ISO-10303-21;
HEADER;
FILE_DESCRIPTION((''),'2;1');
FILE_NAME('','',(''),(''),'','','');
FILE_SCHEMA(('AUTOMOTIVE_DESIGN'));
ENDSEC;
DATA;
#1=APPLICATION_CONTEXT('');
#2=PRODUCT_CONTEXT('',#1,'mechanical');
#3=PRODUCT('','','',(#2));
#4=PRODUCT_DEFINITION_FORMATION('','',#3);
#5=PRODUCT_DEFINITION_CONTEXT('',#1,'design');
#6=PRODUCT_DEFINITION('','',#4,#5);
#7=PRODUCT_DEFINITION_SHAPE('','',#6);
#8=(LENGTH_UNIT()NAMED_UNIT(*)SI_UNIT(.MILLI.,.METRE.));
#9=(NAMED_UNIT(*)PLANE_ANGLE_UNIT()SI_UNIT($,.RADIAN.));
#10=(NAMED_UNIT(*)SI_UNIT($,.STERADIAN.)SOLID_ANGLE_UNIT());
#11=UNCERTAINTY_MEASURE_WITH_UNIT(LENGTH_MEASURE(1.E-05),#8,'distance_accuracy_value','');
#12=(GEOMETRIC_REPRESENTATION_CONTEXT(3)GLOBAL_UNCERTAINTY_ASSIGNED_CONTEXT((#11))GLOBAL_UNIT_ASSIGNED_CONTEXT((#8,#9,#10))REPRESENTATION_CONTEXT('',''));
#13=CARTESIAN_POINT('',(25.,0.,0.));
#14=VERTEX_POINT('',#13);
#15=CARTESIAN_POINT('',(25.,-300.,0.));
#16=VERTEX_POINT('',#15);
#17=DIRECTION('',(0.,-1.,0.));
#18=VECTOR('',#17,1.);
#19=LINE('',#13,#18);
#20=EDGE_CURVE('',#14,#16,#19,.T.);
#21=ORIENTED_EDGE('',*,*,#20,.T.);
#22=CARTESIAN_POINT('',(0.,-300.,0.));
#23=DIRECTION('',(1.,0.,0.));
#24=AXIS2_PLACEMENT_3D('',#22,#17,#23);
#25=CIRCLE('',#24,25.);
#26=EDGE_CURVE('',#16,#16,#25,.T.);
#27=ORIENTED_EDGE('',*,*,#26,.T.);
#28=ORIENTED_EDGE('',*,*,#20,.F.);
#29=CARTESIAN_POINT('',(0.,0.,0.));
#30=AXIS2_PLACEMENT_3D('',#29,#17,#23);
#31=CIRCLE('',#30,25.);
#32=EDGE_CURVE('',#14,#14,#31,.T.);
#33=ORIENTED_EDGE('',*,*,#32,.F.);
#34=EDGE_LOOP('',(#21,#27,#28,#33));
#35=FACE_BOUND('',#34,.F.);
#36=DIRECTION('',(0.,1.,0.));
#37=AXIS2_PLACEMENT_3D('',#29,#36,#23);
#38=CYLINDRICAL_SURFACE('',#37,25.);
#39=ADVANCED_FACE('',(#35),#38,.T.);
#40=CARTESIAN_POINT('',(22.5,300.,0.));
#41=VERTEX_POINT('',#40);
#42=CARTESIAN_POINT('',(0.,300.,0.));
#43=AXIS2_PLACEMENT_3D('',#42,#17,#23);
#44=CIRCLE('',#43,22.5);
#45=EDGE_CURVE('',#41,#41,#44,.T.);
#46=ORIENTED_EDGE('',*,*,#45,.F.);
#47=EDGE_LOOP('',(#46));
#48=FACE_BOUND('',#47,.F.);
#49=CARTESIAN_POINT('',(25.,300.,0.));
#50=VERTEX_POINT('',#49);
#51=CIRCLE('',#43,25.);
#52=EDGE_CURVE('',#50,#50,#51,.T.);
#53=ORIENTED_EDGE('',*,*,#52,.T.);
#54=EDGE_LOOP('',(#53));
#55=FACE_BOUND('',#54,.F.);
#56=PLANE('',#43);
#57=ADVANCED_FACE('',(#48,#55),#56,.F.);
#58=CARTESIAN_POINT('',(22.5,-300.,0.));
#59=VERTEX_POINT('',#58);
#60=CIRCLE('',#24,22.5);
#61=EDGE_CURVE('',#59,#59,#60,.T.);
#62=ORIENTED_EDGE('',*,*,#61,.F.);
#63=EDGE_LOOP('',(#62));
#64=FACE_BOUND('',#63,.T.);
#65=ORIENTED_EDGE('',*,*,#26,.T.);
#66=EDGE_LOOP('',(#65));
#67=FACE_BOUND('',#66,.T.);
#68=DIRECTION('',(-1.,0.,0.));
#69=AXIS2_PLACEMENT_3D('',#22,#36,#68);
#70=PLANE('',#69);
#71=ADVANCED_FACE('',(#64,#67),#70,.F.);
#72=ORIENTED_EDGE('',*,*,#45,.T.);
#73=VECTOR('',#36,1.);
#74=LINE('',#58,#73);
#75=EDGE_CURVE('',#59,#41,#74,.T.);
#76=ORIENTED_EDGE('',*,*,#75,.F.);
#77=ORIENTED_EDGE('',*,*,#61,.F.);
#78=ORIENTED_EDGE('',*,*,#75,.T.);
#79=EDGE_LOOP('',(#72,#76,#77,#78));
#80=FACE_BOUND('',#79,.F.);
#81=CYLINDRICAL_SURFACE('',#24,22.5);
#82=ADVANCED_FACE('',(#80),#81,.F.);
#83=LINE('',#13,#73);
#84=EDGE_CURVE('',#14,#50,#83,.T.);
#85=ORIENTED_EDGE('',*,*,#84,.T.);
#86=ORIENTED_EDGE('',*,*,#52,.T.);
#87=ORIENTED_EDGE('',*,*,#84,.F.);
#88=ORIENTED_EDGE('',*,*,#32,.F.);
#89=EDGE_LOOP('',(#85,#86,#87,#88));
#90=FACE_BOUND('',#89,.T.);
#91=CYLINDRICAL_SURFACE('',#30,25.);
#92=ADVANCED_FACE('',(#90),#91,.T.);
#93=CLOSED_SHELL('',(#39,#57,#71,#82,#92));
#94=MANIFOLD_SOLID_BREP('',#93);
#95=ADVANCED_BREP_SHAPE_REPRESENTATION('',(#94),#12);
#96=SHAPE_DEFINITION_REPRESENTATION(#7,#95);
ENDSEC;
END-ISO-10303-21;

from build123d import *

# Parameters (mm, degrees)
F0_R     = 25
F1_DEPTH = 300
F3_R     = 22.5
F4_DEPTH = 600


with BuildPart() as f1:
    # F0 (on Front) → F1 (new body)
    with BuildSketch(Plane.XZ):
        Circle(F0_R)
    extrude(amount=-F1_DEPTH)

    # F2: F1 across face


with BuildPart() as f1_1:
    add(f1.part)
    add(f1.part.mirror(Plane.XZ))

    # F3 (on face) → F4 (cut)
    with BuildSketch(Plane.XZ.offset(300)):
        Circle(F3_R)
    extrude(amount=-F4_DEPTH, mode=Mode.SUBTRACT)


solid = f1_1.part
